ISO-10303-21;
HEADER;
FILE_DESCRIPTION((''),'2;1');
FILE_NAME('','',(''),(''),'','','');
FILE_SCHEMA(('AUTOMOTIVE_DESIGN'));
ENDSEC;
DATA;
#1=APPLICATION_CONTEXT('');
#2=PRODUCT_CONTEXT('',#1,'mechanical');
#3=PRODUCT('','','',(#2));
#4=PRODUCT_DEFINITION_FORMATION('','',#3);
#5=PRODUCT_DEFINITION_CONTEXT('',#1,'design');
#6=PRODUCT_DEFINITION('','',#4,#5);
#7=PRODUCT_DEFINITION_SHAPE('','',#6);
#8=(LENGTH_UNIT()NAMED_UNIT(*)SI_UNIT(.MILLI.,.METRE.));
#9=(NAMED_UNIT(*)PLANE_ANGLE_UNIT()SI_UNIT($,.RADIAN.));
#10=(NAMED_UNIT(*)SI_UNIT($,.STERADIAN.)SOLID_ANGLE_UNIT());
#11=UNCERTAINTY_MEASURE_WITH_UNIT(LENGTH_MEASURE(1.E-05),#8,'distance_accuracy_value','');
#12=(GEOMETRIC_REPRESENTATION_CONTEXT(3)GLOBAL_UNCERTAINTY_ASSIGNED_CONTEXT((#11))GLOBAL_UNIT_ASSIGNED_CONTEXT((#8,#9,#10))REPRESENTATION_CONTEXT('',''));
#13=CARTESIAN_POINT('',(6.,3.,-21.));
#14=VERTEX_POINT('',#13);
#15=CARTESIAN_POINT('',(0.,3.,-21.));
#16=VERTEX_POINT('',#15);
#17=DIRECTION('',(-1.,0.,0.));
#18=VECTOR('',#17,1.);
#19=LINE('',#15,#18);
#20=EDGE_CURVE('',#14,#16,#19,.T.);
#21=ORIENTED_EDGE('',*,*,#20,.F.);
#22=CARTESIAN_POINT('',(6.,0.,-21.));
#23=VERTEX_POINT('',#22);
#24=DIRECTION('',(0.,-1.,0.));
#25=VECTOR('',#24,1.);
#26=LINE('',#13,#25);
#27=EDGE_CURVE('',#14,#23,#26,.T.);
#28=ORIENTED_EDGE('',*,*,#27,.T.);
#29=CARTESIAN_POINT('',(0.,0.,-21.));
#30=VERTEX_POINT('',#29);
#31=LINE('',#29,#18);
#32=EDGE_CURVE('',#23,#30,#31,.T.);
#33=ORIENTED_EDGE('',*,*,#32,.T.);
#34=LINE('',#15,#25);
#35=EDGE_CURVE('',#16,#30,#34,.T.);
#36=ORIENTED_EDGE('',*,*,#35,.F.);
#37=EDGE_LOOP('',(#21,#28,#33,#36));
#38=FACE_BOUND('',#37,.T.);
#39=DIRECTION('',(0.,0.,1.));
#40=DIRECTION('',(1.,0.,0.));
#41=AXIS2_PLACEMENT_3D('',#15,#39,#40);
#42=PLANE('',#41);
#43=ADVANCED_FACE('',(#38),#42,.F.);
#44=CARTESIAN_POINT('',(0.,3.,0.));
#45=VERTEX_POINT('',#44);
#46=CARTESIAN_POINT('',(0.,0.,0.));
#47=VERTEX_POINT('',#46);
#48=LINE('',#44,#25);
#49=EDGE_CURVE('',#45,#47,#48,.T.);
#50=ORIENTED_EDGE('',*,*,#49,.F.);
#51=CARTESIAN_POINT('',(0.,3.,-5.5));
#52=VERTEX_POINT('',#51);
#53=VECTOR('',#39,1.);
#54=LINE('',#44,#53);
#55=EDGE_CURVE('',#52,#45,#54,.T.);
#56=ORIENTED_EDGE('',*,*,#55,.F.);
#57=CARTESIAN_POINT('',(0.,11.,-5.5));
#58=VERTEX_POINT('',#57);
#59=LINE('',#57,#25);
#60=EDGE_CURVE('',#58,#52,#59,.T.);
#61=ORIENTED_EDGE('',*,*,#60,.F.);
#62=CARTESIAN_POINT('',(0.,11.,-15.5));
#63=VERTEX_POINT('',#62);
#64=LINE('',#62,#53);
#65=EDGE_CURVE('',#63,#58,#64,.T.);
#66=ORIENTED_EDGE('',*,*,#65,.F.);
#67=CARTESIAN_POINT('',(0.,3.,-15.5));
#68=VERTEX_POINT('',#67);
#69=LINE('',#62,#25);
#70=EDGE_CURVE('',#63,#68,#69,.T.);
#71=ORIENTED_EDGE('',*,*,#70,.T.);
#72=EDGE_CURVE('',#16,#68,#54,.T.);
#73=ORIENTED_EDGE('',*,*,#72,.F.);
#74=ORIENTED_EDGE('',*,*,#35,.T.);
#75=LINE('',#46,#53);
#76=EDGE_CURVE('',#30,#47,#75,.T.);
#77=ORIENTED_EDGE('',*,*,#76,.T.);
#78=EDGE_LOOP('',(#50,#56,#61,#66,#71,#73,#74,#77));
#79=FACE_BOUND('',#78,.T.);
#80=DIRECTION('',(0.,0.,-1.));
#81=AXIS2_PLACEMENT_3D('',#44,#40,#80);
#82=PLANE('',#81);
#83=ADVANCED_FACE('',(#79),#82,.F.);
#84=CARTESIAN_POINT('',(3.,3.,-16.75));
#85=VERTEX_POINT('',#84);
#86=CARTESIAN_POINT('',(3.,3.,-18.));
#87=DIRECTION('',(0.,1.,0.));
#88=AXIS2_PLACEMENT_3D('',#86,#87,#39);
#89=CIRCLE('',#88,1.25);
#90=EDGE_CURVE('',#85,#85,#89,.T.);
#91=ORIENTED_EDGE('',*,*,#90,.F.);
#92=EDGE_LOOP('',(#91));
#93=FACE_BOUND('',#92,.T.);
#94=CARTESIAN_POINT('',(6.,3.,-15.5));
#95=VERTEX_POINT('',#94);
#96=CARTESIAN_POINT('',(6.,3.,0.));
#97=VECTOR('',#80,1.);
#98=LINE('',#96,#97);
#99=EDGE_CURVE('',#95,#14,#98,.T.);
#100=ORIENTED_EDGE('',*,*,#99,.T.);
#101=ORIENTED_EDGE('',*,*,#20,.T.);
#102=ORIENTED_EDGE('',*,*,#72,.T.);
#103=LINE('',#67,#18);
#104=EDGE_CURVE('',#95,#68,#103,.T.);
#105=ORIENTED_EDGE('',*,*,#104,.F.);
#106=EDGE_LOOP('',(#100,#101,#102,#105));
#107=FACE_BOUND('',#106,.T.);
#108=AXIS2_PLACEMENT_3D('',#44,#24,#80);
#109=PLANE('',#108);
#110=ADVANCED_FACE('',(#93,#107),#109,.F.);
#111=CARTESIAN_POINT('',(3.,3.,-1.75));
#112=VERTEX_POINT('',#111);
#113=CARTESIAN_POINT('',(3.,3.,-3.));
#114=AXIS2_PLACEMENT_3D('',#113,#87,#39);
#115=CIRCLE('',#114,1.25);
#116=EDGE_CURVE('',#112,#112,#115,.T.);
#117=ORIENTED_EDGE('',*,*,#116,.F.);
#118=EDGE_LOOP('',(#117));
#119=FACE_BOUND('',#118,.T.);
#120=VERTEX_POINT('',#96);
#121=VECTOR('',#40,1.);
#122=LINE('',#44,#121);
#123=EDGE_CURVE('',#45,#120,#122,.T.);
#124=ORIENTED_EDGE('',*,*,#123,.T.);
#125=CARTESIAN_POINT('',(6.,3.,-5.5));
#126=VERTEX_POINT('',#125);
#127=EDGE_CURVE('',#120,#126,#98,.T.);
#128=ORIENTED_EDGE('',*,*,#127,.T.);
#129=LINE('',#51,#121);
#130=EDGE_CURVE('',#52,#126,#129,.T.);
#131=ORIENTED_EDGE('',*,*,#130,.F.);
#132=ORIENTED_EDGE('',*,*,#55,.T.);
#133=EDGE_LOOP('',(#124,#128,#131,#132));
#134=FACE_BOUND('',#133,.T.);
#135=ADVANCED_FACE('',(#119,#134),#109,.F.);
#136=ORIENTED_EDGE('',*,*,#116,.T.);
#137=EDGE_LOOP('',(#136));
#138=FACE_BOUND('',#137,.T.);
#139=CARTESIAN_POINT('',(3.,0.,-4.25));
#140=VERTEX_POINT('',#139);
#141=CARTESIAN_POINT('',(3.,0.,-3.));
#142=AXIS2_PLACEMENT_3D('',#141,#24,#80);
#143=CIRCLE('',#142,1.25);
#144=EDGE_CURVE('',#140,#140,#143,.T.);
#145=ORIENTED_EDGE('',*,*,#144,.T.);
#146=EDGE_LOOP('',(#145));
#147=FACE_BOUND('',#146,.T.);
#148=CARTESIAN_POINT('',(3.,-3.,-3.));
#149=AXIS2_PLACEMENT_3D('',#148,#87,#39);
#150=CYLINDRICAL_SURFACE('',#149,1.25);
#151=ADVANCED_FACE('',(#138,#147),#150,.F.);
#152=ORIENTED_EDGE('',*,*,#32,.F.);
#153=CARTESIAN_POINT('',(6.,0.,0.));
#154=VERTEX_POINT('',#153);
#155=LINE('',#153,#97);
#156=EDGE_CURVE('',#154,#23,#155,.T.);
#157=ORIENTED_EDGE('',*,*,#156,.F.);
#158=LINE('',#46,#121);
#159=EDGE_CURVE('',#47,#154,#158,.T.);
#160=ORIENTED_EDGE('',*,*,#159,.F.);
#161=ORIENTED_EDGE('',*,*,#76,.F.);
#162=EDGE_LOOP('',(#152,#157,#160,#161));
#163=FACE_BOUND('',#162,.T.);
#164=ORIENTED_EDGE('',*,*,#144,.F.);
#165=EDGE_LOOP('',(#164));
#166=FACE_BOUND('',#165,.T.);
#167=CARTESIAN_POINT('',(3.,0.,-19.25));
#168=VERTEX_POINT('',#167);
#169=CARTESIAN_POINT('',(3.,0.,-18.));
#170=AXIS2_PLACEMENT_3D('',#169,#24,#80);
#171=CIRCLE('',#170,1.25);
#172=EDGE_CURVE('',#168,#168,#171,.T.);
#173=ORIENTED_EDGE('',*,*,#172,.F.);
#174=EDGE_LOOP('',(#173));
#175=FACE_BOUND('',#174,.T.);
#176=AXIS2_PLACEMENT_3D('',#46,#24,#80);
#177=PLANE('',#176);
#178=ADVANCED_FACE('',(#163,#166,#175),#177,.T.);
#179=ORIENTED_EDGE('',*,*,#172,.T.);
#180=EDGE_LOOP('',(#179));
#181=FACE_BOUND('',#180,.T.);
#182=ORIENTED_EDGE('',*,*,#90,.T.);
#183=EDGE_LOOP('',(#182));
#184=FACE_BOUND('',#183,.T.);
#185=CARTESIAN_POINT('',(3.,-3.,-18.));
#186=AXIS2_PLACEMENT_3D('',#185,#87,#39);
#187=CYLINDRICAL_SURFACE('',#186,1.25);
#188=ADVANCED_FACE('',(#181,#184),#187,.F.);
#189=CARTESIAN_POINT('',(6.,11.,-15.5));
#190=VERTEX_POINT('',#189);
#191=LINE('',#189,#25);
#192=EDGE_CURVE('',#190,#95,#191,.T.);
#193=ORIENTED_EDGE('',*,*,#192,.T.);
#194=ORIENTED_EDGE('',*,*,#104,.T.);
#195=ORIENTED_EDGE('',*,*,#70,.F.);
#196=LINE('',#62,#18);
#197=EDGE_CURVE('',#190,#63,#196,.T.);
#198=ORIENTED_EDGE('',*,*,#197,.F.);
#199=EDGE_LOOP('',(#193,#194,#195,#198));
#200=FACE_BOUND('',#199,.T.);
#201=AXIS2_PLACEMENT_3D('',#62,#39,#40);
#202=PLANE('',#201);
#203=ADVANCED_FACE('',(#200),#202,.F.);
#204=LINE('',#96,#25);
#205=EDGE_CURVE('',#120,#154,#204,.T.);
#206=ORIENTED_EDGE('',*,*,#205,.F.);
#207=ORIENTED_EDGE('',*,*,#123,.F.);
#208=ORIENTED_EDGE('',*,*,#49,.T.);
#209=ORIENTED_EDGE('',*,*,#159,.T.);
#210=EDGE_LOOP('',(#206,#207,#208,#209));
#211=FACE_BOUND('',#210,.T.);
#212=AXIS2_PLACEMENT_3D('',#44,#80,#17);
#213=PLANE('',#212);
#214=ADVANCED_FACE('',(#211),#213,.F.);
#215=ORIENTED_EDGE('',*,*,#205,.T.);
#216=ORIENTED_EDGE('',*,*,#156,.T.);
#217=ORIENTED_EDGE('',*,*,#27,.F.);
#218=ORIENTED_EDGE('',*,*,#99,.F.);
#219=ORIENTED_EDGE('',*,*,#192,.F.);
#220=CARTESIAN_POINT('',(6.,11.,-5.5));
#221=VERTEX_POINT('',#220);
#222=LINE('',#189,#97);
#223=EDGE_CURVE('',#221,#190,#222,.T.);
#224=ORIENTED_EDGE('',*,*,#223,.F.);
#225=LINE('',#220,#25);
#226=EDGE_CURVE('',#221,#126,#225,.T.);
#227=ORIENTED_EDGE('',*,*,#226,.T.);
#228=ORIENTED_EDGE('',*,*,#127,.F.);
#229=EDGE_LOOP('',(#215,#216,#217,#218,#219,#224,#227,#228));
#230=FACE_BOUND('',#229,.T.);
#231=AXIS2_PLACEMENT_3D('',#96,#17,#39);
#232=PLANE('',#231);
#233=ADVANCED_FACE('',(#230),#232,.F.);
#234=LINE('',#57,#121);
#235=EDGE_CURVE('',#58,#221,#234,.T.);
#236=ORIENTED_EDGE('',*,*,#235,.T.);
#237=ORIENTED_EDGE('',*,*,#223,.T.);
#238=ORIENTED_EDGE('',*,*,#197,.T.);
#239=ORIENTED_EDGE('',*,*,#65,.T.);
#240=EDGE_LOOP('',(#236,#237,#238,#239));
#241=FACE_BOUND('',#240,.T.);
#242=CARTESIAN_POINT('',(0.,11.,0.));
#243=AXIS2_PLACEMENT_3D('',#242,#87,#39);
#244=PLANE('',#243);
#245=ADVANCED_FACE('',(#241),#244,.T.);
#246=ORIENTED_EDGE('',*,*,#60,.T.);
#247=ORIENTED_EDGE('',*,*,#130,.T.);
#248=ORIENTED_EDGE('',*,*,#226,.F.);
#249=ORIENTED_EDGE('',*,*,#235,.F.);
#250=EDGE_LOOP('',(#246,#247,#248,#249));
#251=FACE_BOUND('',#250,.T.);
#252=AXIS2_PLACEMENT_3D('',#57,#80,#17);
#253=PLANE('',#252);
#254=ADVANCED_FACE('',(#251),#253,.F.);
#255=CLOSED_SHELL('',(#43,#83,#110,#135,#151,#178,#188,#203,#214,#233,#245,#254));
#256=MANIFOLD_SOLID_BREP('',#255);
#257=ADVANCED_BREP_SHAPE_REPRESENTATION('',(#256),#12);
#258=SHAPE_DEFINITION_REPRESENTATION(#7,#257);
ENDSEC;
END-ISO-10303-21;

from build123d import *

# Parameters (mm, degrees)
SKETCH2_W           = 6
SKETCH2_H           = 21
BOSS_EXTRUDE1_DEPTH = 3
SKETCH3_W           = 6
SKETCH3_H           = 10
BOSS_EXTRUDE2_DEPTH = 8
SKETCH4_R           = 1.25
CUT_EXTRUDE1_DEPTH  = 6
SKETCH5_R           = 1.25
CUT_EXTRUDE2_DEPTH  = 6


with BuildPart() as part:
    # Sketch2 → Boss-Extrude1 (new body)
    with BuildSketch(Plane(origin=(0, 0, 0), x_dir=(1, 0, 0), z_dir=(0, 1, 0))):
        with Locations((3, 10.5)):
            Rectangle(SKETCH2_W, SKETCH2_H)
    extrude(amount=BOSS_EXTRUDE1_DEPTH)

    # Sketch3 → Boss-Extrude2 (add)
    with BuildSketch(Plane(origin=(0, 3, 0), x_dir=(1, 0, 0), z_dir=(0, 1, 0))):
        with Locations((3, 10.5)):
            Rectangle(SKETCH3_W, SKETCH3_H)
    extrude(amount=BOSS_EXTRUDE2_DEPTH)

    # Sketch4 → Cut-Extrude1 (cut)
    with BuildSketch(Plane(origin=(0, 3, 0), x_dir=(1, 0, 0), z_dir=(0, 1, 0))):
        with Locations(Location((3, 18, 0), (0, 0, 270))):
            Circle(SKETCH4_R)
    extrude(amount=-CUT_EXTRUDE1_DEPTH, mode=Mode.SUBTRACT)

    # Sketch5 → Cut-Extrude2 (cut)
    with BuildSketch(Plane(origin=(0, 3, 0), x_dir=(1, 0, 0), z_dir=(0, 1, 0))):
        with Locations(Location((3, 3, 0), (0, 0, 270))):
            Circle(SKETCH5_R)
    extrude(amount=-CUT_EXTRUDE2_DEPTH, mode=Mode.SUBTRACT)


solid = part.part
